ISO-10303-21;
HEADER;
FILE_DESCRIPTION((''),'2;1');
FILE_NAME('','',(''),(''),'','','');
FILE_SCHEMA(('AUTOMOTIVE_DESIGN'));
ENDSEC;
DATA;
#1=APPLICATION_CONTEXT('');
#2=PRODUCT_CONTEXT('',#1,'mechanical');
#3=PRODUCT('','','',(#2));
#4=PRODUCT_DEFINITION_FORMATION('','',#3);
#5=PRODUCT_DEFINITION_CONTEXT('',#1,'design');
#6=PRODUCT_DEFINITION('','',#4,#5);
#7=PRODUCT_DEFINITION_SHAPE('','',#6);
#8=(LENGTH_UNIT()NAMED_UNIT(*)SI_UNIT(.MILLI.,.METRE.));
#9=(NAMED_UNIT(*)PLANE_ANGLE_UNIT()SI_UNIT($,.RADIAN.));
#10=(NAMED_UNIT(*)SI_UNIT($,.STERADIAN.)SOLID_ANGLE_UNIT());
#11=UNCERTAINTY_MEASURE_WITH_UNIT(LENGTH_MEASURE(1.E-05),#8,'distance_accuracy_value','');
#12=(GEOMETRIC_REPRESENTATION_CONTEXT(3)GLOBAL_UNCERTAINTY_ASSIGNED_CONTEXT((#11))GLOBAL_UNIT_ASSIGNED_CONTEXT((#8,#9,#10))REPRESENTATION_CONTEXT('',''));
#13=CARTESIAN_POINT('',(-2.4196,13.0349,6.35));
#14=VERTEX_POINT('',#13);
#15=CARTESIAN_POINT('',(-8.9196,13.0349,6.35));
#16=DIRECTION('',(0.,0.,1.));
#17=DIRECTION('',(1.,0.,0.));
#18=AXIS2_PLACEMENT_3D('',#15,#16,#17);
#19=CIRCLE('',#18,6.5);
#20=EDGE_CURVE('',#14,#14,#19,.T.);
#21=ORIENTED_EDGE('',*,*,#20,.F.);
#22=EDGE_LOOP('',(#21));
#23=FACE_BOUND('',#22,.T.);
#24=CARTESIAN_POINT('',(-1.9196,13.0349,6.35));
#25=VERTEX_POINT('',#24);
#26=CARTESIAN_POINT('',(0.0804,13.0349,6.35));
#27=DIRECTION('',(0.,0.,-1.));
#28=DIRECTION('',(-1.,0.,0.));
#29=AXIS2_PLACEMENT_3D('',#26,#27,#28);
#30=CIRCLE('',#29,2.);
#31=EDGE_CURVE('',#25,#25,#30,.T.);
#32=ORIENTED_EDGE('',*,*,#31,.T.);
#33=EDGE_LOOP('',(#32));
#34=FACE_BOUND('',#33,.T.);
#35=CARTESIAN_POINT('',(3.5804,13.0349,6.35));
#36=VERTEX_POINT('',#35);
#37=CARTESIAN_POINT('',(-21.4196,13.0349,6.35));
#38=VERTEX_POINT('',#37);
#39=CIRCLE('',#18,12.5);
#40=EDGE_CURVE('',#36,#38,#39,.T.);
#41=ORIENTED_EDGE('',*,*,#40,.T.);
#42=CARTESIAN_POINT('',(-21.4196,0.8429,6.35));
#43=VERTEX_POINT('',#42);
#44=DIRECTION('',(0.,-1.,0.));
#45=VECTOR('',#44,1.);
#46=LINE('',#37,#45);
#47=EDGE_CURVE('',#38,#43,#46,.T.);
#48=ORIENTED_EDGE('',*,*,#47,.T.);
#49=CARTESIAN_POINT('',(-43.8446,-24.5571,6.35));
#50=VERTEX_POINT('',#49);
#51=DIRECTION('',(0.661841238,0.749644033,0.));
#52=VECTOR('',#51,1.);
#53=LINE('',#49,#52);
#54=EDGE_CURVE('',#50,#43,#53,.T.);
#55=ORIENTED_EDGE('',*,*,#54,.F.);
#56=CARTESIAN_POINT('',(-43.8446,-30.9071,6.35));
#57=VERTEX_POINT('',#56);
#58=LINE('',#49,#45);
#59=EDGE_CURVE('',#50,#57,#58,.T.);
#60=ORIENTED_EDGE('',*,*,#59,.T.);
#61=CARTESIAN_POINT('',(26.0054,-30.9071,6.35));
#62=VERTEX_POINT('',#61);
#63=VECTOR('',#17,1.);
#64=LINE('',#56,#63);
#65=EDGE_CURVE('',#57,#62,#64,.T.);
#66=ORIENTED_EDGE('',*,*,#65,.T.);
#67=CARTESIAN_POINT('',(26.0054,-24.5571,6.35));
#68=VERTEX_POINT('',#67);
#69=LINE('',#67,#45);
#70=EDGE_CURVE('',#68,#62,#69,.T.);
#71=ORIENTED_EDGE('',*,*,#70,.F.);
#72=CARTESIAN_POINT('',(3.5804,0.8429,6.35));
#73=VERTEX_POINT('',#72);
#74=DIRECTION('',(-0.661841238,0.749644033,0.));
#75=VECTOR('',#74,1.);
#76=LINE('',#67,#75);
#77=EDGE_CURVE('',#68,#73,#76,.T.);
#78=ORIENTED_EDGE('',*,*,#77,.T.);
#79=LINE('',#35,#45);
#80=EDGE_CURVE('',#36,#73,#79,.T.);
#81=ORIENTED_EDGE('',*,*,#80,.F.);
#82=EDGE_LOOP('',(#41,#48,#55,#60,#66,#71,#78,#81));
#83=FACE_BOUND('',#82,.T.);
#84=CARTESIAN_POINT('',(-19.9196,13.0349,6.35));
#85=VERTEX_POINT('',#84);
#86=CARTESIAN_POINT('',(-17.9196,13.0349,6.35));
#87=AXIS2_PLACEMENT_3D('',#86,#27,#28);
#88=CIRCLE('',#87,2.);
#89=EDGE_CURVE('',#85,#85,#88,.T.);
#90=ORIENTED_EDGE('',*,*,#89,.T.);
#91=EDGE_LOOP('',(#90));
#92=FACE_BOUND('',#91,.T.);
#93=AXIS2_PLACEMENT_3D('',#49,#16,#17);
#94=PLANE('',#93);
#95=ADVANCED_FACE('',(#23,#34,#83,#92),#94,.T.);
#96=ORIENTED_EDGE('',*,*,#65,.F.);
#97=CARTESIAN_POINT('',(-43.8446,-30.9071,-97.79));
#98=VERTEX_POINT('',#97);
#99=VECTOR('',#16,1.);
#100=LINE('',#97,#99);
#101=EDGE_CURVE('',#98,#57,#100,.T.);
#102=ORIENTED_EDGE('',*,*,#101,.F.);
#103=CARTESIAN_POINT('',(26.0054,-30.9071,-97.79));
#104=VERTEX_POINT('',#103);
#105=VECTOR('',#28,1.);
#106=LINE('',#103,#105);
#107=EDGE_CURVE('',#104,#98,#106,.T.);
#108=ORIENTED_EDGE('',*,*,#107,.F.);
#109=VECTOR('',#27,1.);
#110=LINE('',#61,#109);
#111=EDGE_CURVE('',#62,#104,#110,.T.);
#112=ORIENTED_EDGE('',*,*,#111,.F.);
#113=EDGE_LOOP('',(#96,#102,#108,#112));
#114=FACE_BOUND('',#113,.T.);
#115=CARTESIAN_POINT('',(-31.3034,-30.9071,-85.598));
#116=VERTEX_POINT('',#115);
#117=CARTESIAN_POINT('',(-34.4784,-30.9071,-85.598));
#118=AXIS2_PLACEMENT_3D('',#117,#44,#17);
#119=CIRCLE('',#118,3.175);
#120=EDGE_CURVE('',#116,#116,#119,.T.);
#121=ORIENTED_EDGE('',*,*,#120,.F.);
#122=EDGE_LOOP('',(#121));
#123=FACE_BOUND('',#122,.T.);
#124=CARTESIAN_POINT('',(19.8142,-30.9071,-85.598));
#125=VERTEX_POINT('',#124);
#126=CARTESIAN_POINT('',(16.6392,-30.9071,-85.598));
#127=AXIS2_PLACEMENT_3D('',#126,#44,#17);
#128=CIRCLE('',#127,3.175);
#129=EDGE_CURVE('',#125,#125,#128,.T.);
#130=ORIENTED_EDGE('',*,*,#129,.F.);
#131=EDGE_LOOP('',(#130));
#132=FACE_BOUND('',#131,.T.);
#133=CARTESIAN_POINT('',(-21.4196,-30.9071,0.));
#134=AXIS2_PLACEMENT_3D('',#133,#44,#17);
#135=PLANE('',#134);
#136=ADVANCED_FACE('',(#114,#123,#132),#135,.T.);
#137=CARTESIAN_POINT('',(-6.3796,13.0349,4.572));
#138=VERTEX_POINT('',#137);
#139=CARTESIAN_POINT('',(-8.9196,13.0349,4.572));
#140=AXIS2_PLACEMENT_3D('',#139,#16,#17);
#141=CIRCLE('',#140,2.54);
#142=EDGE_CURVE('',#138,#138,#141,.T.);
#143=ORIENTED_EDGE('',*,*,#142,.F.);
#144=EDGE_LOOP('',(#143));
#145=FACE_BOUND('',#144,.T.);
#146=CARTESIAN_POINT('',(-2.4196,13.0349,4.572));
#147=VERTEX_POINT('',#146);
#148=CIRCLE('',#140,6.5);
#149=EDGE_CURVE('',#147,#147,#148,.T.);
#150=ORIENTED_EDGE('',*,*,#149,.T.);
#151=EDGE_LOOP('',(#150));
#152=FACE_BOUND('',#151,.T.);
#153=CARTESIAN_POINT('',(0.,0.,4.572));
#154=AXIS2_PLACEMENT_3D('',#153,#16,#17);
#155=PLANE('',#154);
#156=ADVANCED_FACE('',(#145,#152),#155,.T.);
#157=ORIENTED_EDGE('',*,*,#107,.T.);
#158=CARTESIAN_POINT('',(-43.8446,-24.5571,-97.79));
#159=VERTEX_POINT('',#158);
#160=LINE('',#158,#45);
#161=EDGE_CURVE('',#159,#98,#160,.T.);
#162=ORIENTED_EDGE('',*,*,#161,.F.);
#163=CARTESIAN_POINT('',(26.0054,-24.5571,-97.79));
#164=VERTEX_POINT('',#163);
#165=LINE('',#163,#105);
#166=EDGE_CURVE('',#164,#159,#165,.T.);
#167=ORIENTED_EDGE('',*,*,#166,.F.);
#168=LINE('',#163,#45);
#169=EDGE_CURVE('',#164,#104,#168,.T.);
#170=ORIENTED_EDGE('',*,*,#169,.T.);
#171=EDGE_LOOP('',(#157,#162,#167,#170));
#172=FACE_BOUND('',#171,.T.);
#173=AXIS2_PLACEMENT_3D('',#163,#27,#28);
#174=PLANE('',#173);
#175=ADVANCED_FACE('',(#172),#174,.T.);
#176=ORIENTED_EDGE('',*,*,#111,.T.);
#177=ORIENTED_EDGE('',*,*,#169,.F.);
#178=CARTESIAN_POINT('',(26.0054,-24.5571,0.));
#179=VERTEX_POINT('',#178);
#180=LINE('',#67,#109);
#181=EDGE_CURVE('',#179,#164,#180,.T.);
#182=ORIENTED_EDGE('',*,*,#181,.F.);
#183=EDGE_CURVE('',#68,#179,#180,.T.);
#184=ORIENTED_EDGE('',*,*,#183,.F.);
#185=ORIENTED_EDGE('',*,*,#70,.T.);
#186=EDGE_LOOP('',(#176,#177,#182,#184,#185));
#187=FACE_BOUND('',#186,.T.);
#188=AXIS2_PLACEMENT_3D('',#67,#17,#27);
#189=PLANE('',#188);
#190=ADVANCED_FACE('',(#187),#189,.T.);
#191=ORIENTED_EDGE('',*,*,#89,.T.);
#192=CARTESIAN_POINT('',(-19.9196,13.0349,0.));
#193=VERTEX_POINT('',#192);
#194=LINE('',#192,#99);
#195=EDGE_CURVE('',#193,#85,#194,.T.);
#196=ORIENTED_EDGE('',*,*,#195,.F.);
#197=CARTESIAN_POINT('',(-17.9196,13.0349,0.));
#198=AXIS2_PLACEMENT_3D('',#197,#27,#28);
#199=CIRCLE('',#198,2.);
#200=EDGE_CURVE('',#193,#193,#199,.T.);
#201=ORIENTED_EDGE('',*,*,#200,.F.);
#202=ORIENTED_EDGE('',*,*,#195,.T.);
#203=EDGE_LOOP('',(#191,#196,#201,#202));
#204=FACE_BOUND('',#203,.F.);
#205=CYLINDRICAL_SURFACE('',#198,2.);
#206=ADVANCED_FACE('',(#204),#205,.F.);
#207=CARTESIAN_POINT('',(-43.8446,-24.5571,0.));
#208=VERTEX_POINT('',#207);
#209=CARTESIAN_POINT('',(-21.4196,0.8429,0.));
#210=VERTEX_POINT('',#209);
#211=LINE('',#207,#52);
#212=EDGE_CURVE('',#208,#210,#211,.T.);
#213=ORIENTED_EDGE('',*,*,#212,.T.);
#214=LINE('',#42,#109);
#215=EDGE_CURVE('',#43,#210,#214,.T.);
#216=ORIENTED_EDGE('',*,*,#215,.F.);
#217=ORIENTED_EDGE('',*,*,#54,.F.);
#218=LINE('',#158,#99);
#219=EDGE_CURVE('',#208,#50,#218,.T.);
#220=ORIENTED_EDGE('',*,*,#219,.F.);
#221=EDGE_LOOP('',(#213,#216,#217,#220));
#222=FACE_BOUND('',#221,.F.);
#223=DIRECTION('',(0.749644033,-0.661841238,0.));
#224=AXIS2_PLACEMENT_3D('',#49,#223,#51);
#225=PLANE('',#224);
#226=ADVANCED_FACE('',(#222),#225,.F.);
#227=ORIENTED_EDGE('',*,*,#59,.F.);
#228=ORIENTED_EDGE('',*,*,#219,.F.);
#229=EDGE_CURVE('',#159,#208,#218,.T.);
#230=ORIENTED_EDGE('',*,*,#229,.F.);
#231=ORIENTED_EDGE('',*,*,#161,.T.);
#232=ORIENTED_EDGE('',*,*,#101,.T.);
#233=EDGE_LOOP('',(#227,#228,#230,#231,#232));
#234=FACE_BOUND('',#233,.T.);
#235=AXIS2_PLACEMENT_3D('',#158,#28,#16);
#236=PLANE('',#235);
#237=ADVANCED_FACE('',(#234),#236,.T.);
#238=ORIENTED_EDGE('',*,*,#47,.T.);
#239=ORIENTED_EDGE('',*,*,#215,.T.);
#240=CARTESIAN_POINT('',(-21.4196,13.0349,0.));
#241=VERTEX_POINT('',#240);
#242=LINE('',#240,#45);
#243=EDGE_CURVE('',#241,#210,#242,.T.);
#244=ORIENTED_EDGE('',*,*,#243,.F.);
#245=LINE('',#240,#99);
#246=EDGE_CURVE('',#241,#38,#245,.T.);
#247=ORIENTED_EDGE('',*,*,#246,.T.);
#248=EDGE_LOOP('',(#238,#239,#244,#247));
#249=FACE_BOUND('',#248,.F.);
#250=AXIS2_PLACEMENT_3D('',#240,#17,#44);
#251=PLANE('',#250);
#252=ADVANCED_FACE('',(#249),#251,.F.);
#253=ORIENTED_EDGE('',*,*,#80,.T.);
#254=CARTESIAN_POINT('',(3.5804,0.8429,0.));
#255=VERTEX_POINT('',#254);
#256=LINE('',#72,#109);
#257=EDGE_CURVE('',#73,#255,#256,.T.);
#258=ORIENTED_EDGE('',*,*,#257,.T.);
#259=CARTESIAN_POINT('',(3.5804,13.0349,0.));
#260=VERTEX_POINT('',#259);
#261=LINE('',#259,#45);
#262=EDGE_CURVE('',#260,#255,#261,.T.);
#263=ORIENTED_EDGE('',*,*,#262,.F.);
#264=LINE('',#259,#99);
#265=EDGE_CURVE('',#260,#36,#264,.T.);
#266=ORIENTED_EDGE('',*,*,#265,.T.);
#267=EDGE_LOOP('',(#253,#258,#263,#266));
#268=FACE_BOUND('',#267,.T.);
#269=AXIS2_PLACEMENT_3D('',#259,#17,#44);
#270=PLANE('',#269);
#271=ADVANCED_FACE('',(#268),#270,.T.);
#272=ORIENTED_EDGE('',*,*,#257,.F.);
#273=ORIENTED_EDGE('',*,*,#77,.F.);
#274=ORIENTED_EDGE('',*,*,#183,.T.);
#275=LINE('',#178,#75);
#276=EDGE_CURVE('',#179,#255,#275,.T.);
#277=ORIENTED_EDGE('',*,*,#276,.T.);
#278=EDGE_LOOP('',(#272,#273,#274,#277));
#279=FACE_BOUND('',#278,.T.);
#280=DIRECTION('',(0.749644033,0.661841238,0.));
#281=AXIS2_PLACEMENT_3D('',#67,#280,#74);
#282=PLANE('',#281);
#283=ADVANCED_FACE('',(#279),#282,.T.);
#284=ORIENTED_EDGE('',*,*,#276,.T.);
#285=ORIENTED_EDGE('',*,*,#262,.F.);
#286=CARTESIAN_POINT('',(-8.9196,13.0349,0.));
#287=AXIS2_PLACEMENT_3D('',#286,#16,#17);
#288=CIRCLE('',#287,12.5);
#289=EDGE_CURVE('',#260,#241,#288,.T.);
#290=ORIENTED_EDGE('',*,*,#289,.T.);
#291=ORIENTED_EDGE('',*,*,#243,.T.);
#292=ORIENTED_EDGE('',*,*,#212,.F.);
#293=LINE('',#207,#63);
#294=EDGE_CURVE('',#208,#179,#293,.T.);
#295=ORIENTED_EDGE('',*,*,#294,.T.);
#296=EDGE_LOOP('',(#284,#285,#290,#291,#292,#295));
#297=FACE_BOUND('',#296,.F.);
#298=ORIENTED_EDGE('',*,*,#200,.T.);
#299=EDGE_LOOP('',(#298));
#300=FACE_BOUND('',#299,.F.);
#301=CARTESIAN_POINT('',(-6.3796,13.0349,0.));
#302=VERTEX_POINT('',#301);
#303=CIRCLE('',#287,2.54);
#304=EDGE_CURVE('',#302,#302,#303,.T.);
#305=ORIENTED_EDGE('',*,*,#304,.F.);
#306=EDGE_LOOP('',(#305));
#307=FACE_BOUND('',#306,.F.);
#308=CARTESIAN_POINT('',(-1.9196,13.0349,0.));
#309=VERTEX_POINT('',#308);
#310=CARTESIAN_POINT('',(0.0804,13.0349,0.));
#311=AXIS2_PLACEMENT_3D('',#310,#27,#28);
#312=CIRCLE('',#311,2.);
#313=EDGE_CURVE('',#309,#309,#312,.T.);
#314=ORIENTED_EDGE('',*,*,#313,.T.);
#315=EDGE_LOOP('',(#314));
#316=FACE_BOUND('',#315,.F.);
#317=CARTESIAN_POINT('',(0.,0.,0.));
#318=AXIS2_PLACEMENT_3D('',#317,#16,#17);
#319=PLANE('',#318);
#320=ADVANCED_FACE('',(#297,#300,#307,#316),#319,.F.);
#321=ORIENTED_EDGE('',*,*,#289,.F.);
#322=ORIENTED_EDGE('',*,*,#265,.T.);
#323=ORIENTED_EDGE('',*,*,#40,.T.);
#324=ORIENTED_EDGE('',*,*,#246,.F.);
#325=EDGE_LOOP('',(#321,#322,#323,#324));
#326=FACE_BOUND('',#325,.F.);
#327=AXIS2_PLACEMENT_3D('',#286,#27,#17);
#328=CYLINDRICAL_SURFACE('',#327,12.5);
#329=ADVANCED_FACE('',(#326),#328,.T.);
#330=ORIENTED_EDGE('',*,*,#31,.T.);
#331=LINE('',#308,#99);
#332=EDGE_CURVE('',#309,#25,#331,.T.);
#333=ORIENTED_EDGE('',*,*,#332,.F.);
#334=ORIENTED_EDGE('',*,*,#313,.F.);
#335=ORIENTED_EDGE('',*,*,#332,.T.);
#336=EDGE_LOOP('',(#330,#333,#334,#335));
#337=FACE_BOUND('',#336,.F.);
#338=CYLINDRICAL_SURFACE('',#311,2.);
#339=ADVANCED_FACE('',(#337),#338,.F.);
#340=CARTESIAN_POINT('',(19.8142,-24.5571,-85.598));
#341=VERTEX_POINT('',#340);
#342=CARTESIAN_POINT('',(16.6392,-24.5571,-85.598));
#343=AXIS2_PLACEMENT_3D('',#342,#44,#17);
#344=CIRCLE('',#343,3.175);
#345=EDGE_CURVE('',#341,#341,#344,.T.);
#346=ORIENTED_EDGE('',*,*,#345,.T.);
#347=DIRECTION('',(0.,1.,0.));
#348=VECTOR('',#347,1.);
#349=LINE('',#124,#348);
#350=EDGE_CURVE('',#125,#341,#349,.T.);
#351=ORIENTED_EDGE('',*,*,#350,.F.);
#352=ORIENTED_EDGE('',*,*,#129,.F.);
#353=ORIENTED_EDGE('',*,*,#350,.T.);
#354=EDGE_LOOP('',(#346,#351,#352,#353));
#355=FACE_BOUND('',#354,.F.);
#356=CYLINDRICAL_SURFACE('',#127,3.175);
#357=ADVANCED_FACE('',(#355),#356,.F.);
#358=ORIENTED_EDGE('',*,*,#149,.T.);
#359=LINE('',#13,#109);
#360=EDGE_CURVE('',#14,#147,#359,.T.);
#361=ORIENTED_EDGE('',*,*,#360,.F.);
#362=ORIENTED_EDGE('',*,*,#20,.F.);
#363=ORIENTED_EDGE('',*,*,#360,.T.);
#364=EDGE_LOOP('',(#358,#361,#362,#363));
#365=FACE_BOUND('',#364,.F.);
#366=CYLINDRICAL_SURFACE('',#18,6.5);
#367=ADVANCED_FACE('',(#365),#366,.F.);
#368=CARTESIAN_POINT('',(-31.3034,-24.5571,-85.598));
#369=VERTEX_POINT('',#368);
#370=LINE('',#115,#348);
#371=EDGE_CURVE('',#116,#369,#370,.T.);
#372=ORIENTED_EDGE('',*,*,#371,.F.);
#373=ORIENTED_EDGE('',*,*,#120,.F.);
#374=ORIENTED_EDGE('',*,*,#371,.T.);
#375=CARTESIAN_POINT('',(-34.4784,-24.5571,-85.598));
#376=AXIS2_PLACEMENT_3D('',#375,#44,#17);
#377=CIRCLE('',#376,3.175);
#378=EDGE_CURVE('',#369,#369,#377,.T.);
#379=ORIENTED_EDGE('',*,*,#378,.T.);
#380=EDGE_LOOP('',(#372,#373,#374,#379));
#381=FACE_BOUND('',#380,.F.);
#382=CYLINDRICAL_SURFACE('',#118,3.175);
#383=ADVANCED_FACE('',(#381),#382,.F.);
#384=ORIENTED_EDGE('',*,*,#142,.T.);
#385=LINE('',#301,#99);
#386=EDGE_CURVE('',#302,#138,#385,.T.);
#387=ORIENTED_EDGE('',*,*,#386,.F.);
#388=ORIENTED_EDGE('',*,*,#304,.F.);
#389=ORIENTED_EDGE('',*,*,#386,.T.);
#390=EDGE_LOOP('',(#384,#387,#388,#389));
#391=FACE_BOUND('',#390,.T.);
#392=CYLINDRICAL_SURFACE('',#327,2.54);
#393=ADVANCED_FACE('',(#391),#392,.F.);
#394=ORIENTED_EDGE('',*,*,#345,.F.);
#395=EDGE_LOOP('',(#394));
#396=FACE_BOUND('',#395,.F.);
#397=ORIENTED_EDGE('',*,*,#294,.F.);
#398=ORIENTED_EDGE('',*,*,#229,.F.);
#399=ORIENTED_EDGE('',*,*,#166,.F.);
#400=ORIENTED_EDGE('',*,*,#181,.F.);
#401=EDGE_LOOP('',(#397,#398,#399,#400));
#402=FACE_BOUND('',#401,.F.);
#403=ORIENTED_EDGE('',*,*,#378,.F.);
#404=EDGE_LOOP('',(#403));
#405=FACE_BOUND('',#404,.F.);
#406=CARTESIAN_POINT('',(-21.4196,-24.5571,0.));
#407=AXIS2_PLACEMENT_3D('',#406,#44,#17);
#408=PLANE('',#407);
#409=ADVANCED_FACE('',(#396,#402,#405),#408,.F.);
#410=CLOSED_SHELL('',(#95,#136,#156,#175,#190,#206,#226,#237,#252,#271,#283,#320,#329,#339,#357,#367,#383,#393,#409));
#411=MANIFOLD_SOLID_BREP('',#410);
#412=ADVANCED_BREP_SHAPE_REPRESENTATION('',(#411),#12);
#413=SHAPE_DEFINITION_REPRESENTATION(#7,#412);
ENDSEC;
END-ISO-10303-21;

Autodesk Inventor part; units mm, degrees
ref_plane "YZ Plane" through (0, 0, 0) normal (1, 0, 0) x (0, 1, 0)
ref_plane "XZ Plane" through (0, 0, 0) normal (0, 1, 0) x (-1, 0, 0)
ref_plane "XY Plane" through (0, 0, 0) normal (0, 0, 1) x (1, 0, 0)
sketch "Sketch1" plane through (0, 0, 0) normal (0, 0, 1) x (1, 0, 0)
  arc A0 (3.5804, 13.0349) -> (-21.4196, 13.0349) centre (-8.9196, 13.0349) ccw
  line L0 (-21.4196, 13.0349) -> (-21.4196, -24.5571)
  line L1 (-21.4196, -24.5571) -> (3.5804, -24.5571)
  line L2 (3.5804, 13.0349) -> (3.5804, -24.5571)
  circle A1 centre (-8.9196, 13.0349) radius 2.54
  point P0 (0, 0)
  dimension "d10" = 5.08
  dimension "d11" = 12.5
  dimension "d12" = 37.592
extrude "Extrusion1" add sketch "Sketch1" along normal blind 6.35
sketch "Sketch2" plane through (0, 0, 6.35) normal (0, 0, 1) x (1, 0, 0)
  circle A0 centre (-8.9196, 13.0349) radius 2.54 projected
  circle A1 centre (-8.9196, 13.0349) radius 6.5
  point P0 (0, 0)
  dimension "d9" = 13
extrude "Extrusion2" cut sketch "Sketch2" against normal blind 1.778
sketch "Sketch4" plane through (-21.4196, -24.5571, 0) normal (0, -1, 0) x (1, 0, 0)
  line L0 (-22.425, 6.35) -> (47.425, 6.35)
  line L1 (47.425, 6.35) -> (47.425, -97.79)
  line L2 (47.425, -97.79) -> (-22.425, -97.79)
  line L3 (-22.425, -97.79) -> (-22.425, 6.35)
  line L4 (0, 0) -> (0, 6.35) projected
  line L5 (0, 6.35) -> (0, -15.1092)
  line L6 (12.5, -94.4689) -> (12.5, -35.8122)
  line L7 (0, 6.35) -> (25, 6.35) projected
  point P0 (21.4196, 0)
  dimension "d15" = 12.5
  dimension "d16" = 69.85
  dimension "d17" = 104.14
extrude "Extrusion5" add sketch "Sketch4" along normal blind 6.35
sketch "Sketch5" plane through (0, 0, 6.35) normal (0, 0, 1) x (1, 0, 0)
  line L0 (-43.8446, -24.5571) -> (-43.8446, -30.9071) projected
  line L1 (-21.4196, -24.5571) -> (-43.8446, -24.5571) projected
  line L2 (-43.8446, -24.5571) -> (-21.4196, -24.5571)
  line L3 (-21.4196, -24.5571) -> (-21.4196, 0.8429)
  line L4 (-21.4196, 13.0349) -> (-21.4196, -24.5571) projected
  line L5 (-43.8446, -24.5571) -> (-21.4196, 0.8429)
  line L6 (26.0054, -24.5571) -> (3.5804, -24.5571) projected
  line L7 (26.0054, -24.5571) -> (3.5804, 0.8429)
  line L8 (3.5804, 0.8429) -> (3.5804, -24.5571)
  line L9 (3.5804, -24.5571) -> (26.0054, -24.5571)
  point P0 (0, 0)
  dimension "d20" = 25.4
  dimension "d21" = 25.4
extrude "Extrusion6" add sketch "Sketch5" against normal blind 6.35
sketch "Sketch6" plane through (0, 0, 0) normal (0, 0, -1) x (-1, 0, 0)
  circle A0 centre (8.9196, 13.0349) radius 2.54 projected
  line L0 (8.9196, 13.0349) -> (8.9196, 0.8013)
  circle A1 centre (17.9196, 13.0349) radius 2
  circle A2 centre (-0.0804, 13.0349) radius 2
  point P0 (0, 0)
  dimension "d24" = 18
  dimension "d25" = 4
extrude "Extrusion7" cut sketch "Sketch6" against normal through all contours A1 | A2
sketch "Sketch7" plane through (-21.4196, -30.9071, 0) normal (0, -1, 0) x (1, 0, 0)
  circle A0 centre (-13.0588, -85.598) radius 3.175
  line L0 (12.5, -78.7871) -> (12.5, -99.3381)
  circle A1 centre (38.0588, -85.598) radius 3.175
  line L1 (47.425, 6.35) -> (-22.425, 6.35) projected
  point P0 (21.4196, 0)
  dimension "d28" = 6.35
  dimension "d29" = 51.1175
  dimension "d30" = 91.948
extrude "Extrusion8" cut sketch "Sketch7" against normal through all
properties part number "encoder_mount"
